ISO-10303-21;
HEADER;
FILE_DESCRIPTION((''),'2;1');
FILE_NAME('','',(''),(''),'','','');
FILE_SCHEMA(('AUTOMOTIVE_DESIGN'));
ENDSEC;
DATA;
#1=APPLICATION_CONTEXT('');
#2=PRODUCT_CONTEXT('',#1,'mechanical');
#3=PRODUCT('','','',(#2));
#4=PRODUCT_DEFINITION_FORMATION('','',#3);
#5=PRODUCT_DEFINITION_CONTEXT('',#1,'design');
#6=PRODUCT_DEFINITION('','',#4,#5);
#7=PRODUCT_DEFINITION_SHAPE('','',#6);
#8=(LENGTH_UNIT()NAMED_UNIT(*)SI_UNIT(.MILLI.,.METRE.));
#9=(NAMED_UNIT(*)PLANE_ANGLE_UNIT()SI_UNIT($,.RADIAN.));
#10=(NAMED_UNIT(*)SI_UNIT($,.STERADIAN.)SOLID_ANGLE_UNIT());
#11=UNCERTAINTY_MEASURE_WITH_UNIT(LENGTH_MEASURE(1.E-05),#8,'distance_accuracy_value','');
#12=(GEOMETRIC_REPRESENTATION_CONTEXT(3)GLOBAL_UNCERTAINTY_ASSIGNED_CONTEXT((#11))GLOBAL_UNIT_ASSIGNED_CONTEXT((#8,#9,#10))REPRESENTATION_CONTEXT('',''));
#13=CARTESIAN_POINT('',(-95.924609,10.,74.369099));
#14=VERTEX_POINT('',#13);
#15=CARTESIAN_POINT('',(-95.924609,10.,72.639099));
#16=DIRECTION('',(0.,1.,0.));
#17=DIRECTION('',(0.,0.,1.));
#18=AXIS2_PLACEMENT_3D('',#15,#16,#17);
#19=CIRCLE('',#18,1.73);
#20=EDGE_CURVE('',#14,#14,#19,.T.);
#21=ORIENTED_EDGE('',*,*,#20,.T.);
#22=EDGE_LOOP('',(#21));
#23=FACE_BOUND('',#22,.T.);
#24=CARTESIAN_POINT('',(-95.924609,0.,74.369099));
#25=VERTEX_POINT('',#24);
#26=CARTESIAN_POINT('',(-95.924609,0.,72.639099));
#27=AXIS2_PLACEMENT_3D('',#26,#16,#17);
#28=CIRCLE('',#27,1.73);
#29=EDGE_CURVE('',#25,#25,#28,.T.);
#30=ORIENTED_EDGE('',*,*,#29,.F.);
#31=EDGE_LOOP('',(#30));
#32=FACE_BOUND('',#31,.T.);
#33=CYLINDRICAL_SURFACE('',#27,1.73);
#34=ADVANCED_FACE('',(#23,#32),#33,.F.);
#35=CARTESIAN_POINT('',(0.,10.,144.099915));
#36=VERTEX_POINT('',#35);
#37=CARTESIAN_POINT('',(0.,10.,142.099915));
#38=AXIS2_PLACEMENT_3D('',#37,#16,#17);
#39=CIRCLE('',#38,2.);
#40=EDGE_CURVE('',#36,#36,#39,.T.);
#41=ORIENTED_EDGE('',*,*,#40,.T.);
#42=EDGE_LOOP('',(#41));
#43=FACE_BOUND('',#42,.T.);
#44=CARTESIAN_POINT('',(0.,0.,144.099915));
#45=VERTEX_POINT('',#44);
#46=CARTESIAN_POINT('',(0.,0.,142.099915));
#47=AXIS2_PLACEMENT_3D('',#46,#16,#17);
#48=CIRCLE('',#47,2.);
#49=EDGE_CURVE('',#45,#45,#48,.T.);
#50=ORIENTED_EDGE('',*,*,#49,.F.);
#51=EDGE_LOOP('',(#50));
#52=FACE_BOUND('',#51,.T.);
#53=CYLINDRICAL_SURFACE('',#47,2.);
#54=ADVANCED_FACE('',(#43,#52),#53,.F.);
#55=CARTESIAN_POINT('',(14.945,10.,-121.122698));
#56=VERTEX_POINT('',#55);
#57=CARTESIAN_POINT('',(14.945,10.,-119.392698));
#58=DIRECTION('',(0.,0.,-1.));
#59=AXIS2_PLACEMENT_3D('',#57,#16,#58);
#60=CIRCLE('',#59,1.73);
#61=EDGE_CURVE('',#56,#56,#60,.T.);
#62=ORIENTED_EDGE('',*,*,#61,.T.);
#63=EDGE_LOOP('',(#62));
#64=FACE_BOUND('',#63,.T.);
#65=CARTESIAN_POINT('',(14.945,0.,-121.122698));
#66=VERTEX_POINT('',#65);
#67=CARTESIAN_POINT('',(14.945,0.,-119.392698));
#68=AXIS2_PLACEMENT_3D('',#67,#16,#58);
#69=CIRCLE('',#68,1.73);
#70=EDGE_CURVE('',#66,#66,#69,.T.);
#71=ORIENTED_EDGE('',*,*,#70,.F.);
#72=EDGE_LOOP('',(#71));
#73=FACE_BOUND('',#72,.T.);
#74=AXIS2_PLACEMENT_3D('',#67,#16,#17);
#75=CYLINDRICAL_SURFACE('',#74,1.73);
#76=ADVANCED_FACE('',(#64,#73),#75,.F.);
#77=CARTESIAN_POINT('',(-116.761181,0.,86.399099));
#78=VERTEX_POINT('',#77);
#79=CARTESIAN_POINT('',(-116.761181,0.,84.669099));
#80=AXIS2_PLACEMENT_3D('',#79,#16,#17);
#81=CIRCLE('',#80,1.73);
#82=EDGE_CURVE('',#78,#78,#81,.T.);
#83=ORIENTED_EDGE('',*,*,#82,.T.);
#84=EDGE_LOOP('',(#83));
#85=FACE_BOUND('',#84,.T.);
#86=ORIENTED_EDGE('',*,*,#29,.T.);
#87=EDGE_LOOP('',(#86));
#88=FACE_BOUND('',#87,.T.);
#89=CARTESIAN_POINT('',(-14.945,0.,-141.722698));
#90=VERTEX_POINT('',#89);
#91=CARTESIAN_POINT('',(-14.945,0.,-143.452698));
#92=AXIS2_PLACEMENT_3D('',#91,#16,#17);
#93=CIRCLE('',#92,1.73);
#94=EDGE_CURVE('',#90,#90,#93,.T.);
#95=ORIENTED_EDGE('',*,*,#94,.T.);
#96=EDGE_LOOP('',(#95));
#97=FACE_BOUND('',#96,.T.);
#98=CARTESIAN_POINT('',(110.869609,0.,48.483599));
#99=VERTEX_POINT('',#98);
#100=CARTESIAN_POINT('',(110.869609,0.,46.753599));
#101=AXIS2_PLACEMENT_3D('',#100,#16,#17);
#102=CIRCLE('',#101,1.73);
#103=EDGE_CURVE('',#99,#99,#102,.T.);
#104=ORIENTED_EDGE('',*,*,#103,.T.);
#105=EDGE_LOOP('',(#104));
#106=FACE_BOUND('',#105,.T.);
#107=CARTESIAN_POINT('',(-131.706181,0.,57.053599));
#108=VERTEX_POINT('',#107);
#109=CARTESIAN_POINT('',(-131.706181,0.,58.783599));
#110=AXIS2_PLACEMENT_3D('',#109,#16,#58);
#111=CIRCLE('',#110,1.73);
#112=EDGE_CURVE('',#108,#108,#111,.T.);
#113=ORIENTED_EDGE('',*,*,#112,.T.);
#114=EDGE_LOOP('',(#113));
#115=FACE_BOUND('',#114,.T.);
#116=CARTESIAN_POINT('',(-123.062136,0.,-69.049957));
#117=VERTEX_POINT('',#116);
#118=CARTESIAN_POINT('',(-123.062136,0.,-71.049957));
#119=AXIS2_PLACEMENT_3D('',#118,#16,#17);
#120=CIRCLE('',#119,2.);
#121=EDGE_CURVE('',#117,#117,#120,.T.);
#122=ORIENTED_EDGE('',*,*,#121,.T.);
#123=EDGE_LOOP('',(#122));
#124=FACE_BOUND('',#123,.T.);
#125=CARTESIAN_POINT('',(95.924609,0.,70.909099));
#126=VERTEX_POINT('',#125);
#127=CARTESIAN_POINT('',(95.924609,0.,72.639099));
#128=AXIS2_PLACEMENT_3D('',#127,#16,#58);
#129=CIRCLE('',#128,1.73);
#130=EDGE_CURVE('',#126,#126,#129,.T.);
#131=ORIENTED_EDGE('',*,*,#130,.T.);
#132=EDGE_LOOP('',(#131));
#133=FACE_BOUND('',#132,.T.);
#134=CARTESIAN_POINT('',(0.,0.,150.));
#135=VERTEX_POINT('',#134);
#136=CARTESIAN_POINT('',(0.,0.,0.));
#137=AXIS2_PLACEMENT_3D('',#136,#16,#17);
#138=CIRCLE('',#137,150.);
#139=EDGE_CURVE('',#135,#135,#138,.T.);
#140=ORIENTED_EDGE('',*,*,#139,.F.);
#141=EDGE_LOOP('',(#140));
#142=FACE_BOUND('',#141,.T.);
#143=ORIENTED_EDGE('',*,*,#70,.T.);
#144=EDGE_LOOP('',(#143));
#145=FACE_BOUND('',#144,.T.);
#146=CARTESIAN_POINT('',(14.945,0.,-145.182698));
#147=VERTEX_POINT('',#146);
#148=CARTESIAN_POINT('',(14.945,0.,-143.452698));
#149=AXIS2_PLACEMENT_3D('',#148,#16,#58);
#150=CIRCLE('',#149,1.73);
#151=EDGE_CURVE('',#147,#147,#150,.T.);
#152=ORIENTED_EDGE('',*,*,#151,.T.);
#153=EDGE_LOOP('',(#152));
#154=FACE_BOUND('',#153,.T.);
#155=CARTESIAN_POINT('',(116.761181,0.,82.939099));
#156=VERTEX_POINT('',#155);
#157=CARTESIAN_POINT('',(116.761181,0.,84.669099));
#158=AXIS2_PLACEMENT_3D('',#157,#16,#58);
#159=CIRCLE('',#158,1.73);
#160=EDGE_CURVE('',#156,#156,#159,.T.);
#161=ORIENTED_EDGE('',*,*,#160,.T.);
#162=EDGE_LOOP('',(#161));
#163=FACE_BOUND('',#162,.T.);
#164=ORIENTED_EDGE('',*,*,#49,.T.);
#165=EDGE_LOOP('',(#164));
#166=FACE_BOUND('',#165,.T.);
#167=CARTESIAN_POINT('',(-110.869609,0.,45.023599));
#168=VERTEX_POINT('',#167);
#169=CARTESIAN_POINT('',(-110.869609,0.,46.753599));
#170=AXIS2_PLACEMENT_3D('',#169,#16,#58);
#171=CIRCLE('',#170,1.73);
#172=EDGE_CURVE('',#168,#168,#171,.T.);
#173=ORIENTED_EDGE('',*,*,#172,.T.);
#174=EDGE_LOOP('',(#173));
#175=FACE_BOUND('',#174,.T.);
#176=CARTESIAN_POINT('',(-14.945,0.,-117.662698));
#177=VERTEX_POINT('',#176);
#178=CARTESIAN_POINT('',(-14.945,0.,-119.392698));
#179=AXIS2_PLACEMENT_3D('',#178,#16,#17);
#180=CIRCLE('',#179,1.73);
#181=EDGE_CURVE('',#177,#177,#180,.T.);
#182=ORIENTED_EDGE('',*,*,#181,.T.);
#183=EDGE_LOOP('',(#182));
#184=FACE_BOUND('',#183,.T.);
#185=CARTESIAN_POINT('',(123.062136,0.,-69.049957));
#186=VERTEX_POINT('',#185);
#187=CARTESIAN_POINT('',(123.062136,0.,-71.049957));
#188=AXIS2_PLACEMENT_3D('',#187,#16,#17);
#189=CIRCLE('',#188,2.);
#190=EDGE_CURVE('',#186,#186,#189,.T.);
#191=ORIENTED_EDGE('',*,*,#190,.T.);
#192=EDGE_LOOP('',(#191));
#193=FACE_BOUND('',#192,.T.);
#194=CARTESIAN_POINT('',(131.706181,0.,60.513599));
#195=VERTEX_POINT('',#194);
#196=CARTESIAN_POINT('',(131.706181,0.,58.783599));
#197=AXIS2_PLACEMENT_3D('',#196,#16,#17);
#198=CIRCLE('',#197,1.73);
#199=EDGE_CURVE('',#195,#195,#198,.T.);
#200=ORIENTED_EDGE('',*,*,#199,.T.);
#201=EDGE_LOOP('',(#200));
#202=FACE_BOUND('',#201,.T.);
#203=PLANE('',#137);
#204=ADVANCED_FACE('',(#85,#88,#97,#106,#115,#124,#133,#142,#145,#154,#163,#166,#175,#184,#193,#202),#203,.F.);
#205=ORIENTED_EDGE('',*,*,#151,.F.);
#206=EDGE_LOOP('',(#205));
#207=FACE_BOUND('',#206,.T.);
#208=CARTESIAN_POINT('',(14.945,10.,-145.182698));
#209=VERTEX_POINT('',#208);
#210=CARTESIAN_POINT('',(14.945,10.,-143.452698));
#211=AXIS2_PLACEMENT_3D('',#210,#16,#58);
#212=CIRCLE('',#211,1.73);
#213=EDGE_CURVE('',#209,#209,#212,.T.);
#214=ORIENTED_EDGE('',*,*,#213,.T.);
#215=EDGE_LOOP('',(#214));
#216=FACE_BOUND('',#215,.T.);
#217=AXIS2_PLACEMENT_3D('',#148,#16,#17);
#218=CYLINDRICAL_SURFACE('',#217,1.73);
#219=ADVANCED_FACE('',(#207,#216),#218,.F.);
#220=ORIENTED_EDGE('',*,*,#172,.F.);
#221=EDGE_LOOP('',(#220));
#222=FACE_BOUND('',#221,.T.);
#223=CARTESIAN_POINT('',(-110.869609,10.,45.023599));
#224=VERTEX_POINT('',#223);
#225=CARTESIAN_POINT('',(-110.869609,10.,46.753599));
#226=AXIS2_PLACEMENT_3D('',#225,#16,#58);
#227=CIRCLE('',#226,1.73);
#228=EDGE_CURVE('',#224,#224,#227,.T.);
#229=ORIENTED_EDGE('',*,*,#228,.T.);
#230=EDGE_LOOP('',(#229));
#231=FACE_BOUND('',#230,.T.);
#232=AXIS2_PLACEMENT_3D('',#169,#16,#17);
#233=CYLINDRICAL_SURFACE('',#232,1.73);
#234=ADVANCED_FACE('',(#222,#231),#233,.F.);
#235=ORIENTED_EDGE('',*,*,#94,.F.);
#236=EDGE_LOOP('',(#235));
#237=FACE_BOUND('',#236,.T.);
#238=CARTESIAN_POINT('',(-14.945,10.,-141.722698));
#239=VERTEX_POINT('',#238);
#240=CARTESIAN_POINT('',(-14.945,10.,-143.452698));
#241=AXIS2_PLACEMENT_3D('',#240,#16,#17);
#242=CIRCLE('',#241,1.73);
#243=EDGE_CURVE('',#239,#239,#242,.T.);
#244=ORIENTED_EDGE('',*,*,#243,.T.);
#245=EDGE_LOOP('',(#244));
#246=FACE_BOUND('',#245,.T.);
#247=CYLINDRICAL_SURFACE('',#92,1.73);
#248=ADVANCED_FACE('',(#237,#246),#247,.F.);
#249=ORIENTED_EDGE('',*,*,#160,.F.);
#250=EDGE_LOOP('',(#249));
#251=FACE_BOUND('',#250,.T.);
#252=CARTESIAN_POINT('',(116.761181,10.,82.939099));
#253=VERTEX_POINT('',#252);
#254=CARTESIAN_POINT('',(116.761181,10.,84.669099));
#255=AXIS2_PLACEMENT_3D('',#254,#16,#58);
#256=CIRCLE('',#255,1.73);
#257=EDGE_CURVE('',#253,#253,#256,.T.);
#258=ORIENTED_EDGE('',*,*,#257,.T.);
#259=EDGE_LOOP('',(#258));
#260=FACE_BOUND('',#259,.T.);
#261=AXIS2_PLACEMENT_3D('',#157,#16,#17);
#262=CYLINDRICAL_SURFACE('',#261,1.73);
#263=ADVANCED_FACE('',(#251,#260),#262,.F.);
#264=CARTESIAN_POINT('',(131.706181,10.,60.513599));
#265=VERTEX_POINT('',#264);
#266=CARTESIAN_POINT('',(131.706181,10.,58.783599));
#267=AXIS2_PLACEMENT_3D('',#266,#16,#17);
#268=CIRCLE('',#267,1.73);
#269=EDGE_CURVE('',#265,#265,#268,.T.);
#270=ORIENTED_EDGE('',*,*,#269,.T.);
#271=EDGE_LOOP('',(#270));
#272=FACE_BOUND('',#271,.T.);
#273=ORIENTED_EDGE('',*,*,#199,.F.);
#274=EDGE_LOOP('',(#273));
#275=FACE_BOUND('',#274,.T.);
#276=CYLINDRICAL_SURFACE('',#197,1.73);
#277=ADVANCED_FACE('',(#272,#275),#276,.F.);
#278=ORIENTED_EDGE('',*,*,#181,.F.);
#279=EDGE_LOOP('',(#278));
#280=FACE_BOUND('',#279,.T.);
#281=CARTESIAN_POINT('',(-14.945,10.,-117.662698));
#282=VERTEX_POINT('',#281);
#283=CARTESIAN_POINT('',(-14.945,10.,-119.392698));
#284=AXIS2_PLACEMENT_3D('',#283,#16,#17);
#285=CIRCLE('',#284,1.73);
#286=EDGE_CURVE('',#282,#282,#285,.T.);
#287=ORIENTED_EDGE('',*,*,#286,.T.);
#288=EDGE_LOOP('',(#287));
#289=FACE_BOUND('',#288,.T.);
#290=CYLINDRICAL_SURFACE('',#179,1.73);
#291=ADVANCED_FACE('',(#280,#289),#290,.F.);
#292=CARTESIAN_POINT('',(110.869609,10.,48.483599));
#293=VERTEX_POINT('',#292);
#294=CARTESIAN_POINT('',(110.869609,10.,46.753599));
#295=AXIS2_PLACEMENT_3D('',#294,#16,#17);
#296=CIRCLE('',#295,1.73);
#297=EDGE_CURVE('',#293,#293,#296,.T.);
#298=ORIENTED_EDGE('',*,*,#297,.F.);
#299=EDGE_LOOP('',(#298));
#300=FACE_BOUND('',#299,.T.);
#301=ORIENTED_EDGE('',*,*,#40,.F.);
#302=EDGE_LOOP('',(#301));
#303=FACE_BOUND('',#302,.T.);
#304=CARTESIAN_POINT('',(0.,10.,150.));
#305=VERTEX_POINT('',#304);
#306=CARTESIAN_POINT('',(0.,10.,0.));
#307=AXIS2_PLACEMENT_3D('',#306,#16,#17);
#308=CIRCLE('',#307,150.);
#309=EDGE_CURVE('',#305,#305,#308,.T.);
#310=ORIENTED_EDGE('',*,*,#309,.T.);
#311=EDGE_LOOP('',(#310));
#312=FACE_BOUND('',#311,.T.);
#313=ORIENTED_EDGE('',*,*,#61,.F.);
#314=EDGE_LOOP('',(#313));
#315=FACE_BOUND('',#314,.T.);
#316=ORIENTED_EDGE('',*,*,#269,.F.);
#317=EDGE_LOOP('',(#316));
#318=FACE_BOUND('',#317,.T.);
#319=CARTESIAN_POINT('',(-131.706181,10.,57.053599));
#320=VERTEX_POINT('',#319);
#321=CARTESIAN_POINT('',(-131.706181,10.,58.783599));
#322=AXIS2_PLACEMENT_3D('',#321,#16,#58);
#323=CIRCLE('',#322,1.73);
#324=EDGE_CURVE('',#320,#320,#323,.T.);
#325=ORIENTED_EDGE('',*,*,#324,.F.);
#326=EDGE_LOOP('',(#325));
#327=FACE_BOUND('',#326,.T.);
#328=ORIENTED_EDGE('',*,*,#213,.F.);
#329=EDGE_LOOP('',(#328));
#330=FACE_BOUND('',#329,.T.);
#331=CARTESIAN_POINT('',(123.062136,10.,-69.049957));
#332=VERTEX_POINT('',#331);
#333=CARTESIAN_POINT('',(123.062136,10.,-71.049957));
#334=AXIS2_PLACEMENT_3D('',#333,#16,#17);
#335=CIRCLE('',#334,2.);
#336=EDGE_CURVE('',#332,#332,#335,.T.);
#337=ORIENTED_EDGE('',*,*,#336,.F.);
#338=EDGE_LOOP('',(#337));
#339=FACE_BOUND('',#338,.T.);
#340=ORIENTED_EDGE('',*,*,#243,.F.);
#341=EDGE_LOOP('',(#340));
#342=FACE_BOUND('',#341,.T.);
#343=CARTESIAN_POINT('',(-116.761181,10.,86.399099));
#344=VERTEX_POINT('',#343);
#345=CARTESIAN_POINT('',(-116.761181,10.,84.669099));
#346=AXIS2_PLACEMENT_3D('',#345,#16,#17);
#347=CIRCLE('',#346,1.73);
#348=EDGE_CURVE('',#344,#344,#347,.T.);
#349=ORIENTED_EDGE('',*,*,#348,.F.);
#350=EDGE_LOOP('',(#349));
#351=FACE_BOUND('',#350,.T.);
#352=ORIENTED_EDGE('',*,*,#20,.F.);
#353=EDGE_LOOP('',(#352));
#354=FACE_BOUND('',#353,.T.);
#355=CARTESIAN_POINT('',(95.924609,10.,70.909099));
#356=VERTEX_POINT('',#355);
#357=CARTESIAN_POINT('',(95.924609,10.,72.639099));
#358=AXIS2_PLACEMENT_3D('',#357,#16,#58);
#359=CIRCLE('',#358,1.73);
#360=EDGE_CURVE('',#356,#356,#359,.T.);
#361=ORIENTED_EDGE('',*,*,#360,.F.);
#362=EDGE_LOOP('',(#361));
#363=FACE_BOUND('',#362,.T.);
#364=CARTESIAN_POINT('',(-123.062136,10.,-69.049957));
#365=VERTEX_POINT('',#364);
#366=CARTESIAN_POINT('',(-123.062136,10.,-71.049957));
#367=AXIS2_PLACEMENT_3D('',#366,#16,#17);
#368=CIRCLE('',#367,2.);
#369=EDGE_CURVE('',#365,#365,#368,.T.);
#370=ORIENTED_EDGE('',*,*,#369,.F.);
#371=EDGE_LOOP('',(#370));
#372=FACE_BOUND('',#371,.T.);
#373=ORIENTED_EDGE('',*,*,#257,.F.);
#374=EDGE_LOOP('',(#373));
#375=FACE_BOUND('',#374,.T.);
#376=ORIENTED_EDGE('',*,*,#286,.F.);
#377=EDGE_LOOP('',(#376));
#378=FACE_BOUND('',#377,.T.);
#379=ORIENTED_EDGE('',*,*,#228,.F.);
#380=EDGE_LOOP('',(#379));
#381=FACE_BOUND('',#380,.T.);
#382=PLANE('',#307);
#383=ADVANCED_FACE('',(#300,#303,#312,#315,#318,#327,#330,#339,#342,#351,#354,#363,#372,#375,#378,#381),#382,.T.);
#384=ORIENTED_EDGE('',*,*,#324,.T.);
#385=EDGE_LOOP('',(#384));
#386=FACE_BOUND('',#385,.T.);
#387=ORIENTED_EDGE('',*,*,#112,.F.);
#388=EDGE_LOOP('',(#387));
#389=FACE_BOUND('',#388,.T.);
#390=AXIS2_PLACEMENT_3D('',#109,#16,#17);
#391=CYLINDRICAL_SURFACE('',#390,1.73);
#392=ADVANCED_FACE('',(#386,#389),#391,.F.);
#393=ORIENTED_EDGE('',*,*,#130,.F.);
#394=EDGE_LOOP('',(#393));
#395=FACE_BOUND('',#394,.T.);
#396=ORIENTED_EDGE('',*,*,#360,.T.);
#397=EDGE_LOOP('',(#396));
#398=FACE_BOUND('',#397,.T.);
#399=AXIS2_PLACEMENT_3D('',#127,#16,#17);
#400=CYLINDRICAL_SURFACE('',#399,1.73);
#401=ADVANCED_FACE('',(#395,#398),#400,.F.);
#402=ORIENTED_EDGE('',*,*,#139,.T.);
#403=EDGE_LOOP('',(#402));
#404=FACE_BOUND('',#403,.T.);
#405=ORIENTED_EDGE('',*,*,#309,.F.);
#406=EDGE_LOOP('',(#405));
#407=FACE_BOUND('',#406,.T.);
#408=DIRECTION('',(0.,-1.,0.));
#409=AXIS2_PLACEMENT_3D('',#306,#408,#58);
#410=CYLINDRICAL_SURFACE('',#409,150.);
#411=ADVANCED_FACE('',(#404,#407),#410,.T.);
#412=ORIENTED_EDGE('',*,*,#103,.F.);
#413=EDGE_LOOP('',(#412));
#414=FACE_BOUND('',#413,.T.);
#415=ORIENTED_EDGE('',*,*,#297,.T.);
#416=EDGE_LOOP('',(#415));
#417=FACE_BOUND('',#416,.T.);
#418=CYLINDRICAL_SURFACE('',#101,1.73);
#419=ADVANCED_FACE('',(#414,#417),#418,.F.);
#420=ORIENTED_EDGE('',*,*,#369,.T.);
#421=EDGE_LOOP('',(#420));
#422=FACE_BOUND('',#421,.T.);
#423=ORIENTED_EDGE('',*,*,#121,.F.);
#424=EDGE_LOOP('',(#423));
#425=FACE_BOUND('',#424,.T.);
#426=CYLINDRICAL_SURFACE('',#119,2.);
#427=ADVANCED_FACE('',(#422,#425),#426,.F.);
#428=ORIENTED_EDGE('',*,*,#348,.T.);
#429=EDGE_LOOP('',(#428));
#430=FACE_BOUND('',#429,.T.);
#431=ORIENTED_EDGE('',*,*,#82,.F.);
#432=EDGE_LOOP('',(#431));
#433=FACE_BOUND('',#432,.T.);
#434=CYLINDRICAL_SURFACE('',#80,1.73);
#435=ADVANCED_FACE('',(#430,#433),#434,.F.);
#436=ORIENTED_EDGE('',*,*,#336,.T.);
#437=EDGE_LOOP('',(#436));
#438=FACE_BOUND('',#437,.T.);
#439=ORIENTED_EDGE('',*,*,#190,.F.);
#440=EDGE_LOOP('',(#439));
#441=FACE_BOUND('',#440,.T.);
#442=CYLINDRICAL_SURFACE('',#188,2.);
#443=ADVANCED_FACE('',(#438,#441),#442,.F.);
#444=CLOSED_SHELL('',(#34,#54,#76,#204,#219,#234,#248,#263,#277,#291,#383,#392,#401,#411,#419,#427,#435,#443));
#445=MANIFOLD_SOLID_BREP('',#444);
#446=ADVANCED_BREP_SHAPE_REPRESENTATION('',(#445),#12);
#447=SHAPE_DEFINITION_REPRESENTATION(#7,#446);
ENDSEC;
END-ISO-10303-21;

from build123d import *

# Parameters (mm, degrees)
SKETCH1_R           = 150
BOSS_EXTRUDE1_DEPTH = 10
SKETCH2_R           = 1.73
SKETCH2_R_2         = 2
CUT_EXTRUDE1_DEPTH  = 10


with BuildPart() as part:
    # Sketch1 → Boss-Extrude1 (new body)
    with BuildSketch(Plane(origin=(0, 0, 0), x_dir=(1, 0, 0), z_dir=(0, 1, 0))):
        with Locations(Location((0, 0, 0), (0, 0, 270))):
            Circle(SKETCH1_R)
    extrude(amount=BOSS_EXTRUDE1_DEPTH)

    # Sketch2 → Cut-Extrude1 (cut)
    with BuildSketch(Plane(origin=(0, 10, 0), x_dir=(1, 0, 0), z_dir=(0, 1, 0))):
        with Locations(Location((-14.945, 143.452697854, 0), (0, 0, 270))):
            Circle(SKETCH2_R)
        with Locations(Location((-14.945, 119.392697854, 0), (0, 0, 270))):
            Circle(SKETCH2_R)
        with Locations(Location((14.945, 143.452697854, 0), (0, 0, 90))):
            Circle(SKETCH2_R)
        with Locations(Location((14.945, 119.392697854, 0), (0, 0, 90))):
            Circle(SKETCH2_R)
        with Locations(Location((95.924609368, -72.639098587, 0), (0, 0, 90))):
            Circle(SKETCH2_R)
        with Locations(Location((116.761180583, -84.669098587, 0), (0, 0, 90))):
            Circle(SKETCH2_R)
        with Locations(Location((131.706180583, -58.783599268, 0), (0, 0, 270))):
            Circle(SKETCH2_R)
        with Locations(Location((110.869609368, -46.753599268, 0), (0, 0, 270))):
            Circle(SKETCH2_R)
        with Locations(Location((-110.869609368, -46.753599268, 0), (0, 0, 90))):
            Circle(SKETCH2_R)
        with Locations(Location((-131.706180583, -58.783599268, 0), (0, 0, 90))):
            Circle(SKETCH2_R)
        with Locations(Location((-116.761180583, -84.669098587, 0), (0, 0, 270))):
            Circle(SKETCH2_R)
        with Locations(Location((-95.924609368, -72.639098587, 0), (0, 0, 270))):
            Circle(SKETCH2_R)
        with Locations(Location((-123.062136008, 71.049957351, 0), (0, 0, 270))):
            Circle(SKETCH2_R_2)
        with Locations(Location((123.062136008, 71.049957351, 0), (0, 0, 270))):
            Circle(SKETCH2_R_2)
        with Locations(Location((0, -142.099914702, 0), (0, 0, 270))):
            Circle(SKETCH2_R_2)
    extrude(amount=-CUT_EXTRUDE1_DEPTH, mode=Mode.SUBTRACT)


solid = part.part
